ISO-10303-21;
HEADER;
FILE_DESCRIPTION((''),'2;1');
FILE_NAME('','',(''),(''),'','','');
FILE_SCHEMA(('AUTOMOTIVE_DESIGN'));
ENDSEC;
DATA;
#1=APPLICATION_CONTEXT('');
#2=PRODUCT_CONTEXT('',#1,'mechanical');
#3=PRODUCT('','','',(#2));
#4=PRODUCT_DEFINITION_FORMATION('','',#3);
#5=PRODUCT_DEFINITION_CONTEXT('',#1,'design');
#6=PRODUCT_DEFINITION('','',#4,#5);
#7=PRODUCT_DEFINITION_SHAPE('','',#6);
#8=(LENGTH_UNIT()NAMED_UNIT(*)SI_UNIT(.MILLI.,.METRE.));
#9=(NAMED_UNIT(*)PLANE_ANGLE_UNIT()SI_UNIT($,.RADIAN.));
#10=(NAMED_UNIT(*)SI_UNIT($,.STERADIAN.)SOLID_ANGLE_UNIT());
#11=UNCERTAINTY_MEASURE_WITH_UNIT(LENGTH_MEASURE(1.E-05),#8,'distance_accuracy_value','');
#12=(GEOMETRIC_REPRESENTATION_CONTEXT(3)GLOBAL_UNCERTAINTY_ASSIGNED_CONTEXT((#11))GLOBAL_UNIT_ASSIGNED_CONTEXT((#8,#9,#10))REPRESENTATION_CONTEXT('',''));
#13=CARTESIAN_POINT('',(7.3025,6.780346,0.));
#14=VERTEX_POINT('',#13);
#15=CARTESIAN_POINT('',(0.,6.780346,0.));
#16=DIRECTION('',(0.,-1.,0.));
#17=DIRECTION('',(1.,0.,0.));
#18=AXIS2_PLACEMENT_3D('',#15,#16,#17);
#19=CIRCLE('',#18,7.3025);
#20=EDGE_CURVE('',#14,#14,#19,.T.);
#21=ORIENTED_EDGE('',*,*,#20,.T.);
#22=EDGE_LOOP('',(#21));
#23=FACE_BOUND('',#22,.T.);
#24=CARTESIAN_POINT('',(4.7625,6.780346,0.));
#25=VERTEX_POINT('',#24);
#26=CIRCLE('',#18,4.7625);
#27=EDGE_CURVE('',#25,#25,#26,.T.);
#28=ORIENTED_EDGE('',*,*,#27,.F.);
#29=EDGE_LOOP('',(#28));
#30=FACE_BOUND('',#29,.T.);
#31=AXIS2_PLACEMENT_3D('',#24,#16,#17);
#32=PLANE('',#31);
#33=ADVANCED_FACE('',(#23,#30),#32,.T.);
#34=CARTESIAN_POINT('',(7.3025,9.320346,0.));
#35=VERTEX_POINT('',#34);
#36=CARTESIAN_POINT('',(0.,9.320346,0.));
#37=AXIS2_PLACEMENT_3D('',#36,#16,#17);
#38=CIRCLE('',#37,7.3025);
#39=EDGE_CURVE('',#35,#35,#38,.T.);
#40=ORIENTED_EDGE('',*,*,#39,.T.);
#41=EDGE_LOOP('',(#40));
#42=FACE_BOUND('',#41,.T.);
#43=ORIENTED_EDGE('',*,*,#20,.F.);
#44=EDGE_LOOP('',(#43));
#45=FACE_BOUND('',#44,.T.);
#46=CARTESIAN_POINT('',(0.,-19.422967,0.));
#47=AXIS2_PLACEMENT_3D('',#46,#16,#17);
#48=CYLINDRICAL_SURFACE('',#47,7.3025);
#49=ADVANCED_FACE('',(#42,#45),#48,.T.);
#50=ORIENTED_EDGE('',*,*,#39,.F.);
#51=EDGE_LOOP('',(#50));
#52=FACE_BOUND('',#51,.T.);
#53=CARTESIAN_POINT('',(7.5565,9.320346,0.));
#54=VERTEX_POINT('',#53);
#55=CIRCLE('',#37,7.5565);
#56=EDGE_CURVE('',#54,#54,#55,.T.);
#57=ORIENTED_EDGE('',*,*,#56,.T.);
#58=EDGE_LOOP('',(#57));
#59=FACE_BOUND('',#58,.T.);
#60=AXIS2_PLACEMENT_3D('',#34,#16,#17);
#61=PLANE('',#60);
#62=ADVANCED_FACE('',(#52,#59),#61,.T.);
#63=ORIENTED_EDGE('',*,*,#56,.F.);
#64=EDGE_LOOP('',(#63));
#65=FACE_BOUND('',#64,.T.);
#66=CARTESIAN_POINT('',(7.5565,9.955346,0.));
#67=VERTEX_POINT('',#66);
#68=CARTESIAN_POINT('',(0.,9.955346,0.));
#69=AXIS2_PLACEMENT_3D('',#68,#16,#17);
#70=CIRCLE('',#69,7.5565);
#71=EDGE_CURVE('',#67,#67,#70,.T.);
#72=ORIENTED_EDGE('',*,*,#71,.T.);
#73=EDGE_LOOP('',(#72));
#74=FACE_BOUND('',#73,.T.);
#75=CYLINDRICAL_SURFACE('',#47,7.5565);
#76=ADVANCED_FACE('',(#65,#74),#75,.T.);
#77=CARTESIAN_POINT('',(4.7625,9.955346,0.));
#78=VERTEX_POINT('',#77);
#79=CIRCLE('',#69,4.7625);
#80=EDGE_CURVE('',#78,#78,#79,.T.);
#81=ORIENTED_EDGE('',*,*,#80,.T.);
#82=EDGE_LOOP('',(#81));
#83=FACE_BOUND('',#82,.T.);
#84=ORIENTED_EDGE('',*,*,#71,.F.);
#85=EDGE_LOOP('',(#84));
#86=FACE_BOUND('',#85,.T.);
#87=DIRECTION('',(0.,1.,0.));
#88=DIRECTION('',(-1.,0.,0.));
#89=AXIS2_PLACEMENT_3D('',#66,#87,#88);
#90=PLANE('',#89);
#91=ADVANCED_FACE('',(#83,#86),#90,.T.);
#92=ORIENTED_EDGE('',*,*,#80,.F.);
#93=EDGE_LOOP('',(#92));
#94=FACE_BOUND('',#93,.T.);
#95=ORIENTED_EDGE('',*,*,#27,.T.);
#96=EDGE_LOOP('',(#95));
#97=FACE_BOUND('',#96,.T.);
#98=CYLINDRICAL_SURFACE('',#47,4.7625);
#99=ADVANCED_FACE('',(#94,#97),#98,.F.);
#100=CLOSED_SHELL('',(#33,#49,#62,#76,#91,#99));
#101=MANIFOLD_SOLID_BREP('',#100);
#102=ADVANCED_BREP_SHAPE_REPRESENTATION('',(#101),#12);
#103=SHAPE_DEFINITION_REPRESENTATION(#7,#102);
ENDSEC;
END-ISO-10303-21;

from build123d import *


with BuildPart() as part:
    # Sketch2 → Revolve1 (revolve)
    with BuildSketch(Plane.XY):
        Polygon((4.7625, 9.955346386), (4.7625, 6.780346386), (7.3025, 6.780346386), (7.3025, 9.320346386), (7.5565, 9.320346386), (7.5565, 9.955346386), align=None)
    revolve(axis=Axis((0, -19.422966867, 0), (0, 1, 0)))


solid = part.part
